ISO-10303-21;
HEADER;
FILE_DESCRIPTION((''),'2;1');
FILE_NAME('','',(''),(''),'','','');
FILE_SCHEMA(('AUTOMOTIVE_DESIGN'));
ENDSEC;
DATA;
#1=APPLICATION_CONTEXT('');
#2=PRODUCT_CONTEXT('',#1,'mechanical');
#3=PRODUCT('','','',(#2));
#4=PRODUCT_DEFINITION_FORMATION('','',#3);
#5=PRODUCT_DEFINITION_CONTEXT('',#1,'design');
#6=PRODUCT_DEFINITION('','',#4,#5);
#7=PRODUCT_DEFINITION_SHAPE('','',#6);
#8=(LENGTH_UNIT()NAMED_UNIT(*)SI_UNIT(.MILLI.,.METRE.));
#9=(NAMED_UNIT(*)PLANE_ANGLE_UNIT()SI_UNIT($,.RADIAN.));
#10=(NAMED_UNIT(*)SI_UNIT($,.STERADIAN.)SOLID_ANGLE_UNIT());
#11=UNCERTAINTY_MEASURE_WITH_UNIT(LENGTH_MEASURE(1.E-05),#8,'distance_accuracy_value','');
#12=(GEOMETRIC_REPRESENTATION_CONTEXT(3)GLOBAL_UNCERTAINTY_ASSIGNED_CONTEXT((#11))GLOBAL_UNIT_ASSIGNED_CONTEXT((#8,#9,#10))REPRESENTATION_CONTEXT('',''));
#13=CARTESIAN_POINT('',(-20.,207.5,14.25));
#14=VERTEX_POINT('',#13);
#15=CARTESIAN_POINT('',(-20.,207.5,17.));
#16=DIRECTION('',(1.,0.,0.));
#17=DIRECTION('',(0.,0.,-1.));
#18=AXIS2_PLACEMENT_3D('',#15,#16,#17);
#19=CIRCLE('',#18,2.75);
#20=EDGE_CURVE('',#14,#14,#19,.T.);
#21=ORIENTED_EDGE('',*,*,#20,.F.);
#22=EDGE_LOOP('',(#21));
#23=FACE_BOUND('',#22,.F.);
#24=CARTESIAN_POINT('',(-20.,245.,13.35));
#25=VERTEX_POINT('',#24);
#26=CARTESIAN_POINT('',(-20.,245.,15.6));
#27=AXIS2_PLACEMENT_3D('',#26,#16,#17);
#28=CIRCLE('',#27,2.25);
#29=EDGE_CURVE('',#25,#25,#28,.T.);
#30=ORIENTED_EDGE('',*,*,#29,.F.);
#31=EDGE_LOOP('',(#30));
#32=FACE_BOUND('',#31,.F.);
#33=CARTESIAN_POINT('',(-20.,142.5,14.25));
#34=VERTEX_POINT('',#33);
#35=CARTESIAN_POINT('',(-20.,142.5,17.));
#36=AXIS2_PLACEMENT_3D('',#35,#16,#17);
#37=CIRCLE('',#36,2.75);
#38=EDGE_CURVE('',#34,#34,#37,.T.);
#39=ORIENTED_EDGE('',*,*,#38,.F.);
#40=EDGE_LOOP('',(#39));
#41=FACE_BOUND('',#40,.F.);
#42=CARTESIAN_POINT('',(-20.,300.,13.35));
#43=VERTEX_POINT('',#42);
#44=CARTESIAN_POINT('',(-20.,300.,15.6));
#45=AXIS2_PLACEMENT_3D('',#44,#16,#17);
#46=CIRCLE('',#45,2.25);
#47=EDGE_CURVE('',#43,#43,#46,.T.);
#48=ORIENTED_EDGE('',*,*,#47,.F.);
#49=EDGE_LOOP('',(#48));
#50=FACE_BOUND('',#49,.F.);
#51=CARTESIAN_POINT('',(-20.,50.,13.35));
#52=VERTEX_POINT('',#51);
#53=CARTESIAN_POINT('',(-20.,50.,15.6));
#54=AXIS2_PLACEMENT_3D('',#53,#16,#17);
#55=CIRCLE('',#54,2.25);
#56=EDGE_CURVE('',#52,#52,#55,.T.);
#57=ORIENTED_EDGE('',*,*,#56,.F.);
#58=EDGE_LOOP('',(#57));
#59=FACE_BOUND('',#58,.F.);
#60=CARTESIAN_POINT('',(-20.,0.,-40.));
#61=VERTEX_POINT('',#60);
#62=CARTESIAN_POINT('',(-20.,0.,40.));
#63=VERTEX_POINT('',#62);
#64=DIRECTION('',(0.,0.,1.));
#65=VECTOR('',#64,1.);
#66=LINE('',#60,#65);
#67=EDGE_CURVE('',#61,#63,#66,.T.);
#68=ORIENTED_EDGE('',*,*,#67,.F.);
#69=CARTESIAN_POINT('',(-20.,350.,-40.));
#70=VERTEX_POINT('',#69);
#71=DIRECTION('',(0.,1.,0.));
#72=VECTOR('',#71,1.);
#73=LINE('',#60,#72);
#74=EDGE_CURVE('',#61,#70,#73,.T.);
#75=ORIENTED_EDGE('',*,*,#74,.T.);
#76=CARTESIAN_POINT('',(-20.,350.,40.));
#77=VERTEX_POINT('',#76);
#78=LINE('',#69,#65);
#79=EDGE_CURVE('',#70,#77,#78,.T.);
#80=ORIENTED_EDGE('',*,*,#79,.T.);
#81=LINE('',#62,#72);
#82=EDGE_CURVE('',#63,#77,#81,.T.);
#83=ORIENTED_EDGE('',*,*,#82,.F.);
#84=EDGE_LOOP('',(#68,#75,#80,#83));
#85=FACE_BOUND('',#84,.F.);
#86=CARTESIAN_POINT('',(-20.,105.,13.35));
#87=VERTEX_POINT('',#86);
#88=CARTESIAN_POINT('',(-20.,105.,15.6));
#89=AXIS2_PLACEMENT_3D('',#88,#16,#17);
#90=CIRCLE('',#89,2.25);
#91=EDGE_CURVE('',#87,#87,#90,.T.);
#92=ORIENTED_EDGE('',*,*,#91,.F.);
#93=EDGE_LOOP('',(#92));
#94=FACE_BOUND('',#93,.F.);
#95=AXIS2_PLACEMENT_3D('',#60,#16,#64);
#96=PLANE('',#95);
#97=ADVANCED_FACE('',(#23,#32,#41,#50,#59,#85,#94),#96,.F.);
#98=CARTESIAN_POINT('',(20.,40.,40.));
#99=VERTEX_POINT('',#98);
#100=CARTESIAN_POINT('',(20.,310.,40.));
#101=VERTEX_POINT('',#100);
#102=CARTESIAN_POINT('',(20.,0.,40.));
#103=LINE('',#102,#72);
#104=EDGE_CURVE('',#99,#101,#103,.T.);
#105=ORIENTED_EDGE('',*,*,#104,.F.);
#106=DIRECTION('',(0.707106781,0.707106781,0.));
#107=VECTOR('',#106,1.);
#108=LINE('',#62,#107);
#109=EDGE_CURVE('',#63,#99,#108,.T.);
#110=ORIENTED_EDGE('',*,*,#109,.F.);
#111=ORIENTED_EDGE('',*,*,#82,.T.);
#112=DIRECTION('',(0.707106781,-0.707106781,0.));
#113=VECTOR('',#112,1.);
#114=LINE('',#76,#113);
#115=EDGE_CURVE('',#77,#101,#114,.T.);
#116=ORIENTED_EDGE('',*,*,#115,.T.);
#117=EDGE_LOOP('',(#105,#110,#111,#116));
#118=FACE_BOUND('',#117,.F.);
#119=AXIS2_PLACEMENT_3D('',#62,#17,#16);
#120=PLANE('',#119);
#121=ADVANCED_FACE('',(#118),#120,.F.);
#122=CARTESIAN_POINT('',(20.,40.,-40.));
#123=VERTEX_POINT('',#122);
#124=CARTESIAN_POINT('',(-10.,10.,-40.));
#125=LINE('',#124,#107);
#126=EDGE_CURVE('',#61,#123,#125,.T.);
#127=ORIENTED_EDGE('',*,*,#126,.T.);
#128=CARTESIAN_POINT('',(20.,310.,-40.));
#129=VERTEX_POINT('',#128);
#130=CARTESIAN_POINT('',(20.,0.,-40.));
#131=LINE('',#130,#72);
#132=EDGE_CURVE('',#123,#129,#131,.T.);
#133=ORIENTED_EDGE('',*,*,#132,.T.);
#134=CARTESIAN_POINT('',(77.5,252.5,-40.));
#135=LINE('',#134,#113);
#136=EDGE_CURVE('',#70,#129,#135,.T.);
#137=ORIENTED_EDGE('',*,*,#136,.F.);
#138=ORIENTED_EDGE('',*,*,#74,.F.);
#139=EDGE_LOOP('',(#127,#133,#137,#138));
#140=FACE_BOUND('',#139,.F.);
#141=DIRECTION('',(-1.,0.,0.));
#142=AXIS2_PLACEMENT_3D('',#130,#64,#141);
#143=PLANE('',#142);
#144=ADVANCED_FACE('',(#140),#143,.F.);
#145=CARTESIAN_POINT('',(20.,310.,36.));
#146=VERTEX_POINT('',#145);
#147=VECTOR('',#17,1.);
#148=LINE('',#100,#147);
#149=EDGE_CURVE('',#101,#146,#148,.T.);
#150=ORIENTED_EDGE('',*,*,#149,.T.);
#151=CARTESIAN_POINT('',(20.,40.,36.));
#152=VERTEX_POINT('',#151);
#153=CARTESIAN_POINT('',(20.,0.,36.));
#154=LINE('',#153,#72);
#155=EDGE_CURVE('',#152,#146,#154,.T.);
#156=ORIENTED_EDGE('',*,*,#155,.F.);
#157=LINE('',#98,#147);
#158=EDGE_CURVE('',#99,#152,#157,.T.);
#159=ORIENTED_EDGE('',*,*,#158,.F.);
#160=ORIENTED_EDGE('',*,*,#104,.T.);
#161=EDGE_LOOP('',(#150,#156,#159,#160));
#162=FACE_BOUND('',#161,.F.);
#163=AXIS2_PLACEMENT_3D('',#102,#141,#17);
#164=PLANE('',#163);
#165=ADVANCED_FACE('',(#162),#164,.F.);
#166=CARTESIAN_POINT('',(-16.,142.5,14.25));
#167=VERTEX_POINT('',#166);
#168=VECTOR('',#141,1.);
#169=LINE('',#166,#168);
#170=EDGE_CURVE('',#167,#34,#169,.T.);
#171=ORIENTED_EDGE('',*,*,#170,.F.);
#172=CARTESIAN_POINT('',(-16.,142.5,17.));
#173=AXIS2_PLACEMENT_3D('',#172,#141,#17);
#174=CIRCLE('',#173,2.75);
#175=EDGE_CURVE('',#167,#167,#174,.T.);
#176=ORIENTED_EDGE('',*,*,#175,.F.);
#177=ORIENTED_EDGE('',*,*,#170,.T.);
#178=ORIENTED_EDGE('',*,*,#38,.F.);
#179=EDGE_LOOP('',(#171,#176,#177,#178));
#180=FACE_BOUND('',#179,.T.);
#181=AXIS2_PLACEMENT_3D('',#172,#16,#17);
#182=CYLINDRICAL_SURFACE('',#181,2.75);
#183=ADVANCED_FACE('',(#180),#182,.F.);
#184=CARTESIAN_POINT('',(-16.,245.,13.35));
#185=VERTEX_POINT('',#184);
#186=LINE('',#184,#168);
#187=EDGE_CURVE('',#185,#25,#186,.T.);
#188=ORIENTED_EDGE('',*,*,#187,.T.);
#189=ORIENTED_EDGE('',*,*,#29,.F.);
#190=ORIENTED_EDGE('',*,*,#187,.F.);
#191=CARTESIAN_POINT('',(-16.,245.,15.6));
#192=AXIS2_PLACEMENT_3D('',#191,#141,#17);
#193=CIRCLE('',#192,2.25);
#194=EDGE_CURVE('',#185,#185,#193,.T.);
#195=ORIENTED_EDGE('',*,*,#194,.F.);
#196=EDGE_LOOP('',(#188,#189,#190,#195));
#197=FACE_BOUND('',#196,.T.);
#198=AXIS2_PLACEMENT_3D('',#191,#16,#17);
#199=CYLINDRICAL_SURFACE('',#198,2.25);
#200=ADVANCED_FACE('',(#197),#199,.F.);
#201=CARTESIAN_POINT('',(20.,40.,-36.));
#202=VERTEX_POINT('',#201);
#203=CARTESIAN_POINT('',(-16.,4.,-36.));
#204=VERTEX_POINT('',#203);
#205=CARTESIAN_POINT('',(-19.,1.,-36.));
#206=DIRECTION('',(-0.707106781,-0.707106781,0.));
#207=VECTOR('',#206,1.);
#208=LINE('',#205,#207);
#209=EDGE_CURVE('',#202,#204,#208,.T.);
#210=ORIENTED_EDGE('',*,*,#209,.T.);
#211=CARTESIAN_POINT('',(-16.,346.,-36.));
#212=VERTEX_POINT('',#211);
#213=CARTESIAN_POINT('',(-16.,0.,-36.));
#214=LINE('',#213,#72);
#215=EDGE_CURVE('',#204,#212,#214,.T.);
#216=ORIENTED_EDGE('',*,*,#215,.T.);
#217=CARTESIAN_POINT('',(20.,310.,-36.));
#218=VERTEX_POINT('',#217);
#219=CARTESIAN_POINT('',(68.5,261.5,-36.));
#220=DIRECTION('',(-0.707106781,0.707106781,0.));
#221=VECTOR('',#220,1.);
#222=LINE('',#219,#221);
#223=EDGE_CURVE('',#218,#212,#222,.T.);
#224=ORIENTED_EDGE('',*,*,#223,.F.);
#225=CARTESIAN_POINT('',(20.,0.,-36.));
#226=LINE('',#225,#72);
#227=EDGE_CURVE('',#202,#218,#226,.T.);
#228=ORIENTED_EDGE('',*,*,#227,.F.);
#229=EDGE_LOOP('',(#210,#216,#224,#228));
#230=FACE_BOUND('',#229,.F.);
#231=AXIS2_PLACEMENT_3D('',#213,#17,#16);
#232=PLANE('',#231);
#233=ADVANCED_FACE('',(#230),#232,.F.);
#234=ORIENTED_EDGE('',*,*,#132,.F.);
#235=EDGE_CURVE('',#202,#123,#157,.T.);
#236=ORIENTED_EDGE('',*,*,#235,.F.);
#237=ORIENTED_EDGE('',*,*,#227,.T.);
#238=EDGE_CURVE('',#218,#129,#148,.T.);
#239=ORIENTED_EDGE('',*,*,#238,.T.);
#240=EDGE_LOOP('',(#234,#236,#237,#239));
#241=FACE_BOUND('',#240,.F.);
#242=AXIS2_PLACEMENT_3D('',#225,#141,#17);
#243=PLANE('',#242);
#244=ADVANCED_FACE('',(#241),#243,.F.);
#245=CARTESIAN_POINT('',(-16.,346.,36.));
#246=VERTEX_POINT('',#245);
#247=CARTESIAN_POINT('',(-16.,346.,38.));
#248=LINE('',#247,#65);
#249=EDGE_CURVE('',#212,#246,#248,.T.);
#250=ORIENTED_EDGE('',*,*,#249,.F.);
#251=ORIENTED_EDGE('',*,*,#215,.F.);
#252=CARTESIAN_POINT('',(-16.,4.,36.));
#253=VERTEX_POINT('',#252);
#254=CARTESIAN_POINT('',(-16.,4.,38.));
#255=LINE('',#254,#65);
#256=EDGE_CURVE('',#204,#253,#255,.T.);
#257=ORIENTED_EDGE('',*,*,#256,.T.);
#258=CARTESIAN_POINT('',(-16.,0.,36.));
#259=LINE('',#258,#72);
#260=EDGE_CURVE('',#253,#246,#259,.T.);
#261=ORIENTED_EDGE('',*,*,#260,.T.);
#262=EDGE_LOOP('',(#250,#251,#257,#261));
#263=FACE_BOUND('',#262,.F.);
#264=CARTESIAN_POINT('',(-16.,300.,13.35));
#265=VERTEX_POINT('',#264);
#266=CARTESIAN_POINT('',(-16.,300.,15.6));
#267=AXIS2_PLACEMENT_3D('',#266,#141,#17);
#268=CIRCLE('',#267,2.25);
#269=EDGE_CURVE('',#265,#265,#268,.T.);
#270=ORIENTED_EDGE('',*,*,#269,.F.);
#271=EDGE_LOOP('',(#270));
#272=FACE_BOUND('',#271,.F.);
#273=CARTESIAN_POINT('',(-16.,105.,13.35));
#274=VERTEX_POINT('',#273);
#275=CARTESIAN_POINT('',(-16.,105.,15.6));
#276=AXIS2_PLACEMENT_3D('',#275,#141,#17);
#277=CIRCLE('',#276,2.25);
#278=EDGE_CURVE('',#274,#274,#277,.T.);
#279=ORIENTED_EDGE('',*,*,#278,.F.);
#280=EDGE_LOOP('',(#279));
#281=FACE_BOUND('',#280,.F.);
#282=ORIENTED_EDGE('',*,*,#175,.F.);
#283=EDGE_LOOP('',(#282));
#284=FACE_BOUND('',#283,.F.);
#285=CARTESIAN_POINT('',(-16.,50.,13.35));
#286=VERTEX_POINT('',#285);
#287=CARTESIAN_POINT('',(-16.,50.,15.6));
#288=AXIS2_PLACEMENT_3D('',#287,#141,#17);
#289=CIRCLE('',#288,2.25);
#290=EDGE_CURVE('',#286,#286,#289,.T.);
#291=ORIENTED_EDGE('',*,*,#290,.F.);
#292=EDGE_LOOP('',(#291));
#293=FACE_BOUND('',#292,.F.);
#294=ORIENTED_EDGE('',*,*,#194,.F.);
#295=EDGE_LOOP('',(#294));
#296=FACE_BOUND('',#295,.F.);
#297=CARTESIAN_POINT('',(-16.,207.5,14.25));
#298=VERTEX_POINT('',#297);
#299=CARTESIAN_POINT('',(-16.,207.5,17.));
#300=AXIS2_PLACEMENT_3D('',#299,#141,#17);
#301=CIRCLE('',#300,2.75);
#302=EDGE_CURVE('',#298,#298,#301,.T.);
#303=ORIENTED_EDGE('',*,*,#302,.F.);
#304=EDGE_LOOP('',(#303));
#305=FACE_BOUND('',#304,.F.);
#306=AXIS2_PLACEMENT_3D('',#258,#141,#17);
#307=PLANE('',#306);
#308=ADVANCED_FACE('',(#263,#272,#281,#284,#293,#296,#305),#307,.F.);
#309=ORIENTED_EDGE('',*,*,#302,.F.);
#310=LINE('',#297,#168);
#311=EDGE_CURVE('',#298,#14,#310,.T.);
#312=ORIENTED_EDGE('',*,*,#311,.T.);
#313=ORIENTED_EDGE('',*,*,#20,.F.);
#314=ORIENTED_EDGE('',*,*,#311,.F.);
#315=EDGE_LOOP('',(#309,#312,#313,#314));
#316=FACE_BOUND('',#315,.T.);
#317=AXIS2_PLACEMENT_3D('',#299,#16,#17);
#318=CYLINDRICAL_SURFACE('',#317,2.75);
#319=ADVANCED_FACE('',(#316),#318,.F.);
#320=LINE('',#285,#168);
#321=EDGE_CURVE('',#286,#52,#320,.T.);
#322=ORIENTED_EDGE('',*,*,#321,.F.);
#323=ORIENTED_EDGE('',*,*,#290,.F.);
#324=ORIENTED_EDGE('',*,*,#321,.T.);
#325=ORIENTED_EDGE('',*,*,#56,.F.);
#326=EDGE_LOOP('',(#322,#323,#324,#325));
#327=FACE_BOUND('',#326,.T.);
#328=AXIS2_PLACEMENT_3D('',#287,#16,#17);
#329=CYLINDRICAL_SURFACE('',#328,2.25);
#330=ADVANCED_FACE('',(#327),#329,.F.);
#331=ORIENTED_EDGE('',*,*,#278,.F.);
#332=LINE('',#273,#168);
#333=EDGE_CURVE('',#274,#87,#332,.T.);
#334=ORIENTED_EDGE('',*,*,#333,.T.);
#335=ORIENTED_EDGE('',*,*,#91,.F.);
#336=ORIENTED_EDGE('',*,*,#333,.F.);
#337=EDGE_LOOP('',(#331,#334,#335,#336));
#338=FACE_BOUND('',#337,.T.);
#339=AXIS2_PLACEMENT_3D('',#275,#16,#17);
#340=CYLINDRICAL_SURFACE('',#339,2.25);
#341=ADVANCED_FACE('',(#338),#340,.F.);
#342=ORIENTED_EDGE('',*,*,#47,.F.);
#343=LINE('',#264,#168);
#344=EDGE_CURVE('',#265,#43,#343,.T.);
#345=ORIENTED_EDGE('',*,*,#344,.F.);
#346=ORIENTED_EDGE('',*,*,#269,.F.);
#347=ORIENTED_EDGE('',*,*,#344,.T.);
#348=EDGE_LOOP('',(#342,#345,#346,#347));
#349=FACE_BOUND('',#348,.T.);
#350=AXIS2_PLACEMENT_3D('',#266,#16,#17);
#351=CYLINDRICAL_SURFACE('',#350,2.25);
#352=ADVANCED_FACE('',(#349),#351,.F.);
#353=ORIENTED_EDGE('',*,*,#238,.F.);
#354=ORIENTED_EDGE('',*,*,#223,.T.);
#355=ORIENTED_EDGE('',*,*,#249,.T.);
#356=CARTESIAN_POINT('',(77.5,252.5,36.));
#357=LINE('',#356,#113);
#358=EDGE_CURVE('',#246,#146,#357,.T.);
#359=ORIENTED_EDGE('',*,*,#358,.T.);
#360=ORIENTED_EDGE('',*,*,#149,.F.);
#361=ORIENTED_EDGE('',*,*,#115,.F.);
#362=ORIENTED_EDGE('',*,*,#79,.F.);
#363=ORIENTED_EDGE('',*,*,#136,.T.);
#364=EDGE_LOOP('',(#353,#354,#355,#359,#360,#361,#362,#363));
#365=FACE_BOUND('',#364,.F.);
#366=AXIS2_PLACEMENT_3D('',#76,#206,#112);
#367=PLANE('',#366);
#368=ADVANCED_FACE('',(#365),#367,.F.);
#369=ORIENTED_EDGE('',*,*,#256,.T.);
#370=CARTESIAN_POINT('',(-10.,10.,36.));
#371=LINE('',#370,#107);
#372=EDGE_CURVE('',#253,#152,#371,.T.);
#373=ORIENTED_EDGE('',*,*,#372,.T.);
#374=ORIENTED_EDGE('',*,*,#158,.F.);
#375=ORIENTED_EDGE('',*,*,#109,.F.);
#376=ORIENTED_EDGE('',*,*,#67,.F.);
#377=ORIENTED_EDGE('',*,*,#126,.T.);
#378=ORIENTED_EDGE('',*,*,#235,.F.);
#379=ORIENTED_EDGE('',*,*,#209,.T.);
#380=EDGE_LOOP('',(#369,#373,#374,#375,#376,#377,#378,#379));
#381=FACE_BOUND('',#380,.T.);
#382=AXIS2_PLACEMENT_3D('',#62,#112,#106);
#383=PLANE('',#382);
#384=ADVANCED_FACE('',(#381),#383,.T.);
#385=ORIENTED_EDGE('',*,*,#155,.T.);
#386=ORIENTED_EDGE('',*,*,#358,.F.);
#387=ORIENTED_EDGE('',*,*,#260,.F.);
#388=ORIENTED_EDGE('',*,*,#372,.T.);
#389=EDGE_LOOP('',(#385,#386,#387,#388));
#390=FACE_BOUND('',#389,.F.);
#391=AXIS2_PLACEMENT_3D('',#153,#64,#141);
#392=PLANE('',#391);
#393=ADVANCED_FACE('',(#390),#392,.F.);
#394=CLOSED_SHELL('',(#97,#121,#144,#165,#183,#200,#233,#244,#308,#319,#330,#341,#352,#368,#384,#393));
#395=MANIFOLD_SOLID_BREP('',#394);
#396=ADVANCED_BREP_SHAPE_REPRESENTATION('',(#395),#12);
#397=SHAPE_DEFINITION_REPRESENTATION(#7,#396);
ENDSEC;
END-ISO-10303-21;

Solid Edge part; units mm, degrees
sketch "Sketch1" plane through (0, 0, 0) normal (0, -1, 0) x (1, 0, 0)
  line L0 (20, 36) -> (-16, 36)
  line L1 (-16, 36) -> (-16, -36)
  line L2 (-16, -36) -> (20, -36)
  line L3 (20, -36) -> (20, -40)
  line L4 (20, -40) -> (-20, -40)
  line L5 (-20, -40) -> (-20, 40)
  line L6 (-20, 40) -> (20, 40)
  line L7 (20, 40) -> (20, 36)
  dimension "D1" = 80
  dimension "D2" = 40
  dimension "D3" = 4
  dimension "D4" = 4
extrude "Protrusion1" add sketch "Sketch1" against normal blind 350
sketch "Sketch2" plane through (0, 175, 40) normal (0, 0, 1) x (0, 1, 0)
  line L0 (-175, 20) -> (-135, -20)
extrude "Cutout1" cut sketch "Sketch2" against normal through all material side at (0.0354, 19.9646, 40)
sketch "Sketch3" plane through (0, 175, 40) normal (0, 0, 1) x (0, 1, 0)
  line L0 (175, 20) -> (135, -20)
extrude "Cutout2" cut sketch "Sketch3" against normal through all material side at (0.0354, 330.0354, 40)
hole "Bohrung_1" at (-16, 142.5, 17) direction (-1, 0, 0) diameter 5.5 end up to next
hole "Hole1" at (-16, 207.5, 17) direction (-1, 0, 0) diameter 5.5 end up to next
hole "Bohrung_3" at (-16, 50, 15.6) direction (-1, 0, 0) diameter 4.5 end up to next
hole "Hole2" at (-16, 105, 15.6) direction (-1, 0, 0) diameter 4.5 end up to next
hole "Hole3" at (-16, 245, 15.6) direction (-1, 0, 0) diameter 4.5 end up to next
hole "Hole4" at (-16, 300, 15.6) direction (-1, 0, 0) diameter 4.5 end up to next
